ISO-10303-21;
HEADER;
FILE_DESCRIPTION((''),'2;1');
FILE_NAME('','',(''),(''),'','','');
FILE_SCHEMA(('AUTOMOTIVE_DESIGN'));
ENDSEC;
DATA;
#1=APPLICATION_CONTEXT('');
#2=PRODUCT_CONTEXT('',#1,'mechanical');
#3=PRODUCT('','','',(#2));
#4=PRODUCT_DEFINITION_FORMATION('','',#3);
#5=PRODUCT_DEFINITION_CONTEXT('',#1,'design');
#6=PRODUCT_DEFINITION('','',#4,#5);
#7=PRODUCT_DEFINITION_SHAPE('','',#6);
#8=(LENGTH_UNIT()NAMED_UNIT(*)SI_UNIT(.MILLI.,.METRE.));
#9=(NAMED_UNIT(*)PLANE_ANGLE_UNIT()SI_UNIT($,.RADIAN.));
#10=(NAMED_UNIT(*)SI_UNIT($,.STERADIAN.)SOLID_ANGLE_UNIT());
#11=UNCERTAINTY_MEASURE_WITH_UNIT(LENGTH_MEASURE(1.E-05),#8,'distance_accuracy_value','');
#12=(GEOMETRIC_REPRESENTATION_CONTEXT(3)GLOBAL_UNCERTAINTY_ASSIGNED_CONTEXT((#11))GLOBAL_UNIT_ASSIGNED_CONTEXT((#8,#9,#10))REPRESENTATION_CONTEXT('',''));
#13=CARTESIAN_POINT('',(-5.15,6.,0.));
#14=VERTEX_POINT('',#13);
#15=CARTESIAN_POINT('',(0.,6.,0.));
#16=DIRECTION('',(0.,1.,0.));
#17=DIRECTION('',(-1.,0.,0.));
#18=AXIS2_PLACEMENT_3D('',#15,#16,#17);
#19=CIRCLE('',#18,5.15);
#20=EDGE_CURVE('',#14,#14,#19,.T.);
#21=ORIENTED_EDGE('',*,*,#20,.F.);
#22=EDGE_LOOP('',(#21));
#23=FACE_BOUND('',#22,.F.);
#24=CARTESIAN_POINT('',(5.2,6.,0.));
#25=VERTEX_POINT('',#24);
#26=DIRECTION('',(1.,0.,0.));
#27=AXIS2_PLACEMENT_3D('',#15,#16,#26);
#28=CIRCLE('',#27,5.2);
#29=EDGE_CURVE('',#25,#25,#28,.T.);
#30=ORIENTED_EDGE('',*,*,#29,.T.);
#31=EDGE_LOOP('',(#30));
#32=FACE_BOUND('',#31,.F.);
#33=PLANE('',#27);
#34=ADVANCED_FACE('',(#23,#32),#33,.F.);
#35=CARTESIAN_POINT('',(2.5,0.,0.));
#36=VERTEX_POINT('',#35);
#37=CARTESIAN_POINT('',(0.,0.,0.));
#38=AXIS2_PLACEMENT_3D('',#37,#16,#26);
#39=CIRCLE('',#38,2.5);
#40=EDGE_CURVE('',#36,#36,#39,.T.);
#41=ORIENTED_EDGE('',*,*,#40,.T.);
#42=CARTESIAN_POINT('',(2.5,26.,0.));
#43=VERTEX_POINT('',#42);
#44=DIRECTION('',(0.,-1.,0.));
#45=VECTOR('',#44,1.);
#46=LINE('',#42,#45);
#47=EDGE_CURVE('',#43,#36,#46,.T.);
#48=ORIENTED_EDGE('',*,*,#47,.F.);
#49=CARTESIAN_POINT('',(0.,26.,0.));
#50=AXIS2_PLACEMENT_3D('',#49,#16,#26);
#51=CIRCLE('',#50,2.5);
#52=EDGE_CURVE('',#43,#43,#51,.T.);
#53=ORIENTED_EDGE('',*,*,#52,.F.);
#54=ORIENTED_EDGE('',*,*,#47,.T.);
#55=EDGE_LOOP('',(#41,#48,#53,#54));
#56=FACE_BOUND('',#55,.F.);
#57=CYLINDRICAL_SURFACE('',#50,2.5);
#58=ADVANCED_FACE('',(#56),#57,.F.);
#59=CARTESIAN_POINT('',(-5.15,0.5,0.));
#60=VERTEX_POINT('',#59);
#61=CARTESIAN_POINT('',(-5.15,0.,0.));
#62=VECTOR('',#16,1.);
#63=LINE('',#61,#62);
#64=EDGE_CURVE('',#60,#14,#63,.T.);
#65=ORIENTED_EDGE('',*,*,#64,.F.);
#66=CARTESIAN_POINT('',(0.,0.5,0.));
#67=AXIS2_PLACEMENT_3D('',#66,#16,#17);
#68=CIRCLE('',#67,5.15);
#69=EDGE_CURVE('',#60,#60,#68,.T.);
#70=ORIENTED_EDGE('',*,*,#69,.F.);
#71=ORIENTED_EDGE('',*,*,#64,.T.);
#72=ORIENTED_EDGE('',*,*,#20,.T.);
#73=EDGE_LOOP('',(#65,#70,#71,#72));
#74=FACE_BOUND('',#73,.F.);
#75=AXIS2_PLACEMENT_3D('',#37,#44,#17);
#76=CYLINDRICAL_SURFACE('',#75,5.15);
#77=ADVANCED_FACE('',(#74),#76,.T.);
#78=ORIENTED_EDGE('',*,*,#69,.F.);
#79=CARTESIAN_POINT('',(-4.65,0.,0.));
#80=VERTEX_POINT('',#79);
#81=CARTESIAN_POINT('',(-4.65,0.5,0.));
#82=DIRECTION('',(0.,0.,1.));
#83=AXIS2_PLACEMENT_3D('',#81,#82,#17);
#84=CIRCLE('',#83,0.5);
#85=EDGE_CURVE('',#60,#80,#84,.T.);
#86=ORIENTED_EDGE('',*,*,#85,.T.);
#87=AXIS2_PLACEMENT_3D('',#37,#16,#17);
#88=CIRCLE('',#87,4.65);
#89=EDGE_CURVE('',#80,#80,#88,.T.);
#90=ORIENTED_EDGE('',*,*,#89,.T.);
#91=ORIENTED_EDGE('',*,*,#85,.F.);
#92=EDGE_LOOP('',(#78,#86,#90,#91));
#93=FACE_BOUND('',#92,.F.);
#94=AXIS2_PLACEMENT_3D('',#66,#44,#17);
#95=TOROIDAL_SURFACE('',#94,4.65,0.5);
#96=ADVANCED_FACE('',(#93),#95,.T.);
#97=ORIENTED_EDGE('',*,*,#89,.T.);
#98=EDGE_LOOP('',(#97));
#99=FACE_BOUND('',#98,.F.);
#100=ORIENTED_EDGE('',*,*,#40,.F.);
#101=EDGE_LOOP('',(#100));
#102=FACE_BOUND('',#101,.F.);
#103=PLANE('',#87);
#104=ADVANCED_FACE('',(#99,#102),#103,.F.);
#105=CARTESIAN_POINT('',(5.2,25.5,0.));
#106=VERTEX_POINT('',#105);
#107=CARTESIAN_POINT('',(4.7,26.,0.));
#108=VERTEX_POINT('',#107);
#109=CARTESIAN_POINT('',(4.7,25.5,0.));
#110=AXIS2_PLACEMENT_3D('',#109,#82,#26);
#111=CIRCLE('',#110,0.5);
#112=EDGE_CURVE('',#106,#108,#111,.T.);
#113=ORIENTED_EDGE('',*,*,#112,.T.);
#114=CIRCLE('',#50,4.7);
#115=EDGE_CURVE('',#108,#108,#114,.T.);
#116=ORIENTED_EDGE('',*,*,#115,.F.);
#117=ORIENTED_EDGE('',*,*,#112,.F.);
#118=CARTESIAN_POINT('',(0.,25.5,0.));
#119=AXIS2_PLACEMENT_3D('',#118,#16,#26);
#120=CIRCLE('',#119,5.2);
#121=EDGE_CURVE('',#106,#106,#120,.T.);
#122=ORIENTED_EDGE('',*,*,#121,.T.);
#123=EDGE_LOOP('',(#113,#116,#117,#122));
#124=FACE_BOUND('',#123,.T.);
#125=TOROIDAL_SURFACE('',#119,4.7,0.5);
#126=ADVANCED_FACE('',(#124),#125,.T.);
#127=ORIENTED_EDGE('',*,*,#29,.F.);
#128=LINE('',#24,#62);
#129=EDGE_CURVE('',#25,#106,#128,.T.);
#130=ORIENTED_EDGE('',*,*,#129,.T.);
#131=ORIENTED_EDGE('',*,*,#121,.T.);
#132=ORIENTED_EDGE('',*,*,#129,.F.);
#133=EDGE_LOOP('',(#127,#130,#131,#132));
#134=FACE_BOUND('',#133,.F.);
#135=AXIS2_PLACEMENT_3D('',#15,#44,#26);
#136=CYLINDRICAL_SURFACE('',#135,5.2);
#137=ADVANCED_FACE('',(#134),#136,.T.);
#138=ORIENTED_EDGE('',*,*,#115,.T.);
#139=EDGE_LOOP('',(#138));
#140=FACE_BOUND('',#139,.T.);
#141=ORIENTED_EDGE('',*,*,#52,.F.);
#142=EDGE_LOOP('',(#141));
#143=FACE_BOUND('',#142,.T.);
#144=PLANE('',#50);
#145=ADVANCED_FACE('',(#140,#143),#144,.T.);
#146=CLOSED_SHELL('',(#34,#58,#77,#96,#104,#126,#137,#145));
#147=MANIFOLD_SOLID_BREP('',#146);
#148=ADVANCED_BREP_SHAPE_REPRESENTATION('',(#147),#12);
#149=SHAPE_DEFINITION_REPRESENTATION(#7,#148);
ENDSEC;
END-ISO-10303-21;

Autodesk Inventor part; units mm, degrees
ref_plane "YZ Plane" through (0, 0, 0) normal (1, 0, 0) x (0, 1, 0)
ref_plane "XZ Plane" through (0, 0, 0) normal (0, 1, 0) x (-1, 0, 0)
ref_plane "XY Plane" through (0, 0, 0) normal (0, 0, 1) x (1, 0, 0)
sketch "Sketch1" plane through (0, 0, 0) normal (0, 1, 0) x (-1, 0, 0)
  circle A0 centre (0, 0) radius 5.15
  dimension "d0" = 10.3
extrude "Extrusion1" add sketch "Sketch1" along normal blind 6
sketch "Sketch2" plane through (0, 6, 0) normal (0, 1, 0) x (1, 0, 0)
  circle A0 centre (0, 0) radius 5.2
  dimension "d3" = 10.4
extrude "Extrusion2" add sketch "Sketch2" along normal blind 20
fillet "Fillet1" radius 0.5 2 edges at (-5.2, 26, 0) (5.15, 0, 0)
sketch "Sketch3" plane through (0, 26, 0) normal (0, 1, 0) x (1, 0, 0)
  circle A0 centre (0, 0) radius 2.5
  dimension "d7" = 5
extrude "Extrusion3" cut sketch "Sketch3" against normal blind 30
properties part number "Schnecke_26mm_5mm"
